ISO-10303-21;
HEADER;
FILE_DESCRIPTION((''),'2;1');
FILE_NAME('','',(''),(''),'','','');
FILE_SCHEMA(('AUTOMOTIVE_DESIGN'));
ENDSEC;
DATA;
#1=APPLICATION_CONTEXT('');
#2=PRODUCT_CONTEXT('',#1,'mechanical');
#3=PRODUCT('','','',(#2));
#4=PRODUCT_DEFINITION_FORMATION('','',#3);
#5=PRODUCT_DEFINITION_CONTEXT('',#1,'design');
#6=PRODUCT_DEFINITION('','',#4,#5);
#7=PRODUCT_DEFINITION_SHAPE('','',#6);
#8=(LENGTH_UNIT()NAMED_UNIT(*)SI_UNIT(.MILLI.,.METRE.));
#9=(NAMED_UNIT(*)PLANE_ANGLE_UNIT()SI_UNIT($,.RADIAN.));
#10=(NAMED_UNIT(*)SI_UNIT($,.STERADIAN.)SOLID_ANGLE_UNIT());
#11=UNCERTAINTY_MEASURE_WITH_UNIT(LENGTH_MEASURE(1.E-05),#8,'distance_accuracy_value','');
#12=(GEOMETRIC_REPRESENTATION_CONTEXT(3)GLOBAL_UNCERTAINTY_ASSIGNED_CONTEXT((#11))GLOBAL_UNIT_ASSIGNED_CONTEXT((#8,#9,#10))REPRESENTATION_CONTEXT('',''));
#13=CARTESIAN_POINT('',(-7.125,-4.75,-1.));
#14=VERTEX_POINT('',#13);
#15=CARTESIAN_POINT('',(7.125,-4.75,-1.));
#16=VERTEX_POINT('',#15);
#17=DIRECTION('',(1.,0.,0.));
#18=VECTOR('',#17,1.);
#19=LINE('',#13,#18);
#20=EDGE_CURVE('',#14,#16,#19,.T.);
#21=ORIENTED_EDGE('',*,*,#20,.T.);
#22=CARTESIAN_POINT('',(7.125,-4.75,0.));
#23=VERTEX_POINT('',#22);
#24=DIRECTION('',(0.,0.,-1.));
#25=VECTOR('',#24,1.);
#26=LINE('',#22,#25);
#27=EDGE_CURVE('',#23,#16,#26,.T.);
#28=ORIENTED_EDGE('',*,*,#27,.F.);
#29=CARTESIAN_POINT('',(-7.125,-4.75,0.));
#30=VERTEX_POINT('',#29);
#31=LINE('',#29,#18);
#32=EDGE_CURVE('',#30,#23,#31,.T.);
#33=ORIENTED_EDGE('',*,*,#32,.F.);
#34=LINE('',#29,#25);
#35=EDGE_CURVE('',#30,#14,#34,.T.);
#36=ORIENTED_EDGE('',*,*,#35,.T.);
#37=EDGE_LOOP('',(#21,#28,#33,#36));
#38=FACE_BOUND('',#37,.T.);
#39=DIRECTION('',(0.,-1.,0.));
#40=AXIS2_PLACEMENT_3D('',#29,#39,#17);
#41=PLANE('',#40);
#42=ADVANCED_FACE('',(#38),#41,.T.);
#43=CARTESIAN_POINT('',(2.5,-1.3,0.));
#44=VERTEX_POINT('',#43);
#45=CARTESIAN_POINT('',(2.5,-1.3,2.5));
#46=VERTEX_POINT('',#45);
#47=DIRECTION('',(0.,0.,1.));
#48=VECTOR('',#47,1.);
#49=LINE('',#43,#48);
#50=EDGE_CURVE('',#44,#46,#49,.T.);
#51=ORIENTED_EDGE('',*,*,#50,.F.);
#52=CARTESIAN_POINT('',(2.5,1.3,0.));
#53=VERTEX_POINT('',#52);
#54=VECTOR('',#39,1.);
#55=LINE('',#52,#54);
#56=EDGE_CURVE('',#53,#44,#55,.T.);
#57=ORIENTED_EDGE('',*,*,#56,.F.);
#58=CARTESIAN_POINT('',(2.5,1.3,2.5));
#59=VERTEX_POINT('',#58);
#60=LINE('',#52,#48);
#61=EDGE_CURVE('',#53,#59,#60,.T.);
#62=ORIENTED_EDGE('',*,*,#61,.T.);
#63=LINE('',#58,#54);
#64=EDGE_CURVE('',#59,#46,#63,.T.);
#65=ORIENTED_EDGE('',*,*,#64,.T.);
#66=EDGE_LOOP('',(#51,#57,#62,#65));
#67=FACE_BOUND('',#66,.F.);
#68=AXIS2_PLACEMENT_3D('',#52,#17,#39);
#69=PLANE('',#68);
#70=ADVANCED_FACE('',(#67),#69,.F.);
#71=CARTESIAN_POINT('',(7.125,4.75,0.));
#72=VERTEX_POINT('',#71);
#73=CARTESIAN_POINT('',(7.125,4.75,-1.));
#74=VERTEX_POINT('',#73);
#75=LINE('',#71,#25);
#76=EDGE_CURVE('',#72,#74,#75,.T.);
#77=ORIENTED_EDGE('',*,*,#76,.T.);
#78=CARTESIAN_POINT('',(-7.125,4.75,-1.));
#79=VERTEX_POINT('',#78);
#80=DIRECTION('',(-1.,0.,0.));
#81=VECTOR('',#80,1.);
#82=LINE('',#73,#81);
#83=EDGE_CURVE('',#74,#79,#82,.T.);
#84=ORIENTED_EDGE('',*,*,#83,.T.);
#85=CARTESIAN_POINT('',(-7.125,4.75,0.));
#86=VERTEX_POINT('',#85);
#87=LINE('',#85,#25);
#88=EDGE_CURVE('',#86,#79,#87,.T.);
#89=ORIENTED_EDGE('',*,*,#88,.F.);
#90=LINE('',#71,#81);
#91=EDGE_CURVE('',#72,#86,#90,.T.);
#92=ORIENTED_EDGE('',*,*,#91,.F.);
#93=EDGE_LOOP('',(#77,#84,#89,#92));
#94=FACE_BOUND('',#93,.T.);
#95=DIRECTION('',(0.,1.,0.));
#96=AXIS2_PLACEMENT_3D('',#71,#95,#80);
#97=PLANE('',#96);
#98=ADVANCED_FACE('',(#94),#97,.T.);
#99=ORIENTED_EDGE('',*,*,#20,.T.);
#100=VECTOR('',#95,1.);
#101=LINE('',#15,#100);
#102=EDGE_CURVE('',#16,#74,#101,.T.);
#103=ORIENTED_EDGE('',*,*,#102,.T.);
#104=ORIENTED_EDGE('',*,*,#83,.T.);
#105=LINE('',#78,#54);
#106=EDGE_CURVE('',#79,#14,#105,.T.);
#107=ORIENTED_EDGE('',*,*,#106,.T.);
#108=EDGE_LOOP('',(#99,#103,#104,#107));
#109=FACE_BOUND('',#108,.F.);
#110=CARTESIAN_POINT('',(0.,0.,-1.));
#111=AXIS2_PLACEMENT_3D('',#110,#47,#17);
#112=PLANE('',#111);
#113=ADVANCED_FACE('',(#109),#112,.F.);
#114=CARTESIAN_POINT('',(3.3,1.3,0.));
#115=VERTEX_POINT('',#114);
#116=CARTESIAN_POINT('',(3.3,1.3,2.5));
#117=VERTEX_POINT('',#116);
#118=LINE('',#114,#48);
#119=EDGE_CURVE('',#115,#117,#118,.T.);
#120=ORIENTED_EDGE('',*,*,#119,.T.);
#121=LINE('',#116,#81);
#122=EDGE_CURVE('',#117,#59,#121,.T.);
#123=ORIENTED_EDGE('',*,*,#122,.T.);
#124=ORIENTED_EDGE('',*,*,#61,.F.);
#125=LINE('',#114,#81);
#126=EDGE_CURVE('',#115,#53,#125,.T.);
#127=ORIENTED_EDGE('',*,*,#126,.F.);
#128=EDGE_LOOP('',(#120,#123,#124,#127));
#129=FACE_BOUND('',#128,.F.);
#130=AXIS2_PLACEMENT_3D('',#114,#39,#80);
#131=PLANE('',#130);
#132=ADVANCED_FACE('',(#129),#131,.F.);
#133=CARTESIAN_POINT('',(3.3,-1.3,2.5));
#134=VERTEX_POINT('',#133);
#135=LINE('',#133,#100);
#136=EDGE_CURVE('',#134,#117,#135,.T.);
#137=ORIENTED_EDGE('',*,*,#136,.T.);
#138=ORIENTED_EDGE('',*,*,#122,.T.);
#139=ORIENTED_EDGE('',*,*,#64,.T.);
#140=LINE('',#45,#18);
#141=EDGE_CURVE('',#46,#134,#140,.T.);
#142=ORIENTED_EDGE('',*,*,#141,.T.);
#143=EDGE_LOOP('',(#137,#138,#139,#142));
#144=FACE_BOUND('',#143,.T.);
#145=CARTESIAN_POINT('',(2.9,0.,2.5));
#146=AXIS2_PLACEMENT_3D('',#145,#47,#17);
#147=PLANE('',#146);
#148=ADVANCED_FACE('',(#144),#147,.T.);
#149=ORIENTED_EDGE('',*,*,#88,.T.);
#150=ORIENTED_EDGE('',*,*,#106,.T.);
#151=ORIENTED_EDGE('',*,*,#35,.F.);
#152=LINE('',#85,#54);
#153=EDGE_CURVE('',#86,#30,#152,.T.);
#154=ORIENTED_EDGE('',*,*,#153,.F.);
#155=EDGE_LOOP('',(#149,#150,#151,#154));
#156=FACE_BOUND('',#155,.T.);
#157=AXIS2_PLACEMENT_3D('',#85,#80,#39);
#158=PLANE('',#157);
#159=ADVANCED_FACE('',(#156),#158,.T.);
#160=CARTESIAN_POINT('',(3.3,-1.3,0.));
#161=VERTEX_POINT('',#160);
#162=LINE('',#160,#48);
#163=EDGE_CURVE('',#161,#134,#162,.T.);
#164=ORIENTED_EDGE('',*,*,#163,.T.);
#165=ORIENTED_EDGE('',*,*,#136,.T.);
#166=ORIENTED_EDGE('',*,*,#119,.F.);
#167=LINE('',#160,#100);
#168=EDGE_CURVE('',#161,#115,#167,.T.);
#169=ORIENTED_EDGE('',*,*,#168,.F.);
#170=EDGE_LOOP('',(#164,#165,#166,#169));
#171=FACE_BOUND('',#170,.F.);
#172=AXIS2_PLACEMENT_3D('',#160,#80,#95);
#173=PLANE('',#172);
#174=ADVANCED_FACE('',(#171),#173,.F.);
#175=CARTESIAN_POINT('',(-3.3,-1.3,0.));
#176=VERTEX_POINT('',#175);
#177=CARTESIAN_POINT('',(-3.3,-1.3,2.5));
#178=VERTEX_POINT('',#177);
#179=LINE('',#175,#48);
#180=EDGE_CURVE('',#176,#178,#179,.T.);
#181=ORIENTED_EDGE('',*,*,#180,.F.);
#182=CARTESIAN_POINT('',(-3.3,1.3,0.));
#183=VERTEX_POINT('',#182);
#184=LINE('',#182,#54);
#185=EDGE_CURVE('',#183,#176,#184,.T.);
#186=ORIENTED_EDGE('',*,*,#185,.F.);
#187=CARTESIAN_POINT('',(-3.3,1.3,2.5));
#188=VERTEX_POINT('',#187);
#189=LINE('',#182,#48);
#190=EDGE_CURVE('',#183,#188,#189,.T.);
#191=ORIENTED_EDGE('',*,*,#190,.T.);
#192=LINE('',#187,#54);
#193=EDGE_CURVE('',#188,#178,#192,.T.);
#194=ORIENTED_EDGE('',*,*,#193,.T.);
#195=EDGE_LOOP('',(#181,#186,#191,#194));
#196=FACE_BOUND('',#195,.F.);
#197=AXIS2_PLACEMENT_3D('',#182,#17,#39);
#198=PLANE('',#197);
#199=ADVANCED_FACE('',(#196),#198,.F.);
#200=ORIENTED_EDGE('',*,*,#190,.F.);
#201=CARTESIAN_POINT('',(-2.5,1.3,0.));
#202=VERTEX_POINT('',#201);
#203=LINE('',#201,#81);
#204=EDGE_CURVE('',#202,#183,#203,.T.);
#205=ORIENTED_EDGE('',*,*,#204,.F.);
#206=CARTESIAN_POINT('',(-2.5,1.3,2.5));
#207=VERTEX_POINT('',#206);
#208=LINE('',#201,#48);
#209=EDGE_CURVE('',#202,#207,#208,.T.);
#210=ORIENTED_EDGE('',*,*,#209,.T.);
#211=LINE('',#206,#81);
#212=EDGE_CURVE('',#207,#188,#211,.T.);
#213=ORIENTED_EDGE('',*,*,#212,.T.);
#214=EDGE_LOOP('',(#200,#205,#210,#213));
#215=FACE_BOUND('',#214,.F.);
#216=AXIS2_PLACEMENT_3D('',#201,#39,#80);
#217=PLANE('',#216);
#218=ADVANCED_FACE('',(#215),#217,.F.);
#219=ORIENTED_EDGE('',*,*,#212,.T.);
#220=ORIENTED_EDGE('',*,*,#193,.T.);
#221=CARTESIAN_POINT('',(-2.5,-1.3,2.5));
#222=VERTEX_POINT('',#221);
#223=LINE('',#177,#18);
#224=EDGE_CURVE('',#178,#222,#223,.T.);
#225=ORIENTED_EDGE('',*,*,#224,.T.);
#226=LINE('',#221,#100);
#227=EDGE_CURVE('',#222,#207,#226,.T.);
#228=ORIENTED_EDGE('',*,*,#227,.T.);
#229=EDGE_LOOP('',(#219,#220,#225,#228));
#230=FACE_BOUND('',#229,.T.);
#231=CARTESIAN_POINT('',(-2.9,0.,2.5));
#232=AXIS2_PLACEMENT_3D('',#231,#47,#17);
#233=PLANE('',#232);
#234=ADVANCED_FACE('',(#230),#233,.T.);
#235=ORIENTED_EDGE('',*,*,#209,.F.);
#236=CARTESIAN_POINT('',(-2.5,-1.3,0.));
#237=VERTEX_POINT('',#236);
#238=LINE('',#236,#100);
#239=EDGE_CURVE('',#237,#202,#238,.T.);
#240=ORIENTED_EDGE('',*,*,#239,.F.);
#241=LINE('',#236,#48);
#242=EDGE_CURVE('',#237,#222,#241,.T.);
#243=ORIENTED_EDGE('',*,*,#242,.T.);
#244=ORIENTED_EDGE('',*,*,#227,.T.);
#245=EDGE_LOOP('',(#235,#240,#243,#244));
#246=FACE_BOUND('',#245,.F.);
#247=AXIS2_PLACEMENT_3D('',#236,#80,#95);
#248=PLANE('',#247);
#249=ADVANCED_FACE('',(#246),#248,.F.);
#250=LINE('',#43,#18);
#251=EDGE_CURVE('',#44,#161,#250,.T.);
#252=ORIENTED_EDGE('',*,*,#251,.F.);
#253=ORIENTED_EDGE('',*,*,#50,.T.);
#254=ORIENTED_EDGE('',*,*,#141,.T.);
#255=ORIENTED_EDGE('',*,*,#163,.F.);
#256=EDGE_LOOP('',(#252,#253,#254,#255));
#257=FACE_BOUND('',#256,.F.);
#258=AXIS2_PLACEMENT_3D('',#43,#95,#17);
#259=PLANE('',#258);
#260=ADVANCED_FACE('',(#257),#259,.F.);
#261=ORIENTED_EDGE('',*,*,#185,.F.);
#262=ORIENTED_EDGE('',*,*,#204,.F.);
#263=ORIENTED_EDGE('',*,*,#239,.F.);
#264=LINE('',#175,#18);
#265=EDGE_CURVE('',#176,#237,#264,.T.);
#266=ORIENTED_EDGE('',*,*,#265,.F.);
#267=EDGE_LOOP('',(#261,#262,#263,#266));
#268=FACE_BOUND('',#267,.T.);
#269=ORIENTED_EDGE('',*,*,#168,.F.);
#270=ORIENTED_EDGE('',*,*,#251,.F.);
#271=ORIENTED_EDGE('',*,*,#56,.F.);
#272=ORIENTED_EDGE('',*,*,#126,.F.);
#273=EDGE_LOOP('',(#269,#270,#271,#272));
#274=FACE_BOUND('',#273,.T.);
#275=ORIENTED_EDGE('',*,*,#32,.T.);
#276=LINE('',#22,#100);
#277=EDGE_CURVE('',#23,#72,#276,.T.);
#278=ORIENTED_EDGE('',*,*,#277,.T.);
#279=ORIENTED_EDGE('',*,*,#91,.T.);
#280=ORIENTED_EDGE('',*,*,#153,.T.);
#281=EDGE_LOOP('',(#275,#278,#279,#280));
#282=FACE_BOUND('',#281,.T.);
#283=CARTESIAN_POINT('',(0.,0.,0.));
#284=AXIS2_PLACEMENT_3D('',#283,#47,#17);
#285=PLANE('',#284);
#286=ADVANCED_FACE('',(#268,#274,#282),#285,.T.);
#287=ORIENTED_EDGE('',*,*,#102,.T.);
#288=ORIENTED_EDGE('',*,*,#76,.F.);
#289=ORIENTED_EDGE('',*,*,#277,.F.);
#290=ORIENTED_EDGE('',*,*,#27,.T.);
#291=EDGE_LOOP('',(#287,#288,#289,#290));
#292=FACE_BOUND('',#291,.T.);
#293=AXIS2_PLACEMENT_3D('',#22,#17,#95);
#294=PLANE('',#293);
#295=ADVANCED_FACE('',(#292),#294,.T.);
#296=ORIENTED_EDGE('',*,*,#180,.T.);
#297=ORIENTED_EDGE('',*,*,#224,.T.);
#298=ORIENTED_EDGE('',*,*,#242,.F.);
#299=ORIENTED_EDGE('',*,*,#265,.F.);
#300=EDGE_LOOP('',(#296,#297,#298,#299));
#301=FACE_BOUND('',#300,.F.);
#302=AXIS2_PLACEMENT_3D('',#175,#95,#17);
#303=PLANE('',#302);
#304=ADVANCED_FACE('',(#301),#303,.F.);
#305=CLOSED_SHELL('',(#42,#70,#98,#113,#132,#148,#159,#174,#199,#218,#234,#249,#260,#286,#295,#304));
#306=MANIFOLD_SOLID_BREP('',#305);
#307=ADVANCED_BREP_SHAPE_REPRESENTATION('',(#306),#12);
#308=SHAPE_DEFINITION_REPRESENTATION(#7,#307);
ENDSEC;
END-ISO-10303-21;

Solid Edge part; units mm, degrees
sketch "Sketch1" plane through (0, 0, 0) normal (0, 0, 1) x (1, 0, 0)
  line L0 (-7.125, 4.75) -> (-7.125, -4.75)
  line L1 (-7.125, -4.75) -> (7.125, -4.75)
  line L2 (7.125, -4.75) -> (7.125, 4.75)
  line L3 (7.125, 4.75) -> (-7.125, 4.75)
extrude "Protrusion1" add sketch "Sketch1" against normal blind 1
sketch "Sketch2" plane through (0, 0, 0) normal (0, 0, 1) x (1, 0, 0)
  line L0 (-2.5, -1.3) -> (-2.5, 1.3)
  line L1 (-2.5, 1.3) -> (-3.3, 1.3)
  line L2 (-3.3, 1.3) -> (-3.3, -1.3)
  line L3 (-3.3, -1.3) -> (-2.5, -1.3)
  line L4 (2.5, 1.3) -> (2.5, -1.3)
  line L5 (2.5, -1.3) -> (3.3, -1.3)
  line L6 (3.3, -1.3) -> (3.3, 1.3)
  line L7 (3.3, 1.3) -> (2.5, 1.3)
  dimension "D1" = 1
  dimension "D2" = 2.8
  dimension "D3" = 4.8
  dimension "D4" = 0.1
  dimension "D5" = 0.1
extrude "ExtrudedProtrusion_3" add sketch "Sketch2" along normal blind 2.5
properties material "Graphite"
